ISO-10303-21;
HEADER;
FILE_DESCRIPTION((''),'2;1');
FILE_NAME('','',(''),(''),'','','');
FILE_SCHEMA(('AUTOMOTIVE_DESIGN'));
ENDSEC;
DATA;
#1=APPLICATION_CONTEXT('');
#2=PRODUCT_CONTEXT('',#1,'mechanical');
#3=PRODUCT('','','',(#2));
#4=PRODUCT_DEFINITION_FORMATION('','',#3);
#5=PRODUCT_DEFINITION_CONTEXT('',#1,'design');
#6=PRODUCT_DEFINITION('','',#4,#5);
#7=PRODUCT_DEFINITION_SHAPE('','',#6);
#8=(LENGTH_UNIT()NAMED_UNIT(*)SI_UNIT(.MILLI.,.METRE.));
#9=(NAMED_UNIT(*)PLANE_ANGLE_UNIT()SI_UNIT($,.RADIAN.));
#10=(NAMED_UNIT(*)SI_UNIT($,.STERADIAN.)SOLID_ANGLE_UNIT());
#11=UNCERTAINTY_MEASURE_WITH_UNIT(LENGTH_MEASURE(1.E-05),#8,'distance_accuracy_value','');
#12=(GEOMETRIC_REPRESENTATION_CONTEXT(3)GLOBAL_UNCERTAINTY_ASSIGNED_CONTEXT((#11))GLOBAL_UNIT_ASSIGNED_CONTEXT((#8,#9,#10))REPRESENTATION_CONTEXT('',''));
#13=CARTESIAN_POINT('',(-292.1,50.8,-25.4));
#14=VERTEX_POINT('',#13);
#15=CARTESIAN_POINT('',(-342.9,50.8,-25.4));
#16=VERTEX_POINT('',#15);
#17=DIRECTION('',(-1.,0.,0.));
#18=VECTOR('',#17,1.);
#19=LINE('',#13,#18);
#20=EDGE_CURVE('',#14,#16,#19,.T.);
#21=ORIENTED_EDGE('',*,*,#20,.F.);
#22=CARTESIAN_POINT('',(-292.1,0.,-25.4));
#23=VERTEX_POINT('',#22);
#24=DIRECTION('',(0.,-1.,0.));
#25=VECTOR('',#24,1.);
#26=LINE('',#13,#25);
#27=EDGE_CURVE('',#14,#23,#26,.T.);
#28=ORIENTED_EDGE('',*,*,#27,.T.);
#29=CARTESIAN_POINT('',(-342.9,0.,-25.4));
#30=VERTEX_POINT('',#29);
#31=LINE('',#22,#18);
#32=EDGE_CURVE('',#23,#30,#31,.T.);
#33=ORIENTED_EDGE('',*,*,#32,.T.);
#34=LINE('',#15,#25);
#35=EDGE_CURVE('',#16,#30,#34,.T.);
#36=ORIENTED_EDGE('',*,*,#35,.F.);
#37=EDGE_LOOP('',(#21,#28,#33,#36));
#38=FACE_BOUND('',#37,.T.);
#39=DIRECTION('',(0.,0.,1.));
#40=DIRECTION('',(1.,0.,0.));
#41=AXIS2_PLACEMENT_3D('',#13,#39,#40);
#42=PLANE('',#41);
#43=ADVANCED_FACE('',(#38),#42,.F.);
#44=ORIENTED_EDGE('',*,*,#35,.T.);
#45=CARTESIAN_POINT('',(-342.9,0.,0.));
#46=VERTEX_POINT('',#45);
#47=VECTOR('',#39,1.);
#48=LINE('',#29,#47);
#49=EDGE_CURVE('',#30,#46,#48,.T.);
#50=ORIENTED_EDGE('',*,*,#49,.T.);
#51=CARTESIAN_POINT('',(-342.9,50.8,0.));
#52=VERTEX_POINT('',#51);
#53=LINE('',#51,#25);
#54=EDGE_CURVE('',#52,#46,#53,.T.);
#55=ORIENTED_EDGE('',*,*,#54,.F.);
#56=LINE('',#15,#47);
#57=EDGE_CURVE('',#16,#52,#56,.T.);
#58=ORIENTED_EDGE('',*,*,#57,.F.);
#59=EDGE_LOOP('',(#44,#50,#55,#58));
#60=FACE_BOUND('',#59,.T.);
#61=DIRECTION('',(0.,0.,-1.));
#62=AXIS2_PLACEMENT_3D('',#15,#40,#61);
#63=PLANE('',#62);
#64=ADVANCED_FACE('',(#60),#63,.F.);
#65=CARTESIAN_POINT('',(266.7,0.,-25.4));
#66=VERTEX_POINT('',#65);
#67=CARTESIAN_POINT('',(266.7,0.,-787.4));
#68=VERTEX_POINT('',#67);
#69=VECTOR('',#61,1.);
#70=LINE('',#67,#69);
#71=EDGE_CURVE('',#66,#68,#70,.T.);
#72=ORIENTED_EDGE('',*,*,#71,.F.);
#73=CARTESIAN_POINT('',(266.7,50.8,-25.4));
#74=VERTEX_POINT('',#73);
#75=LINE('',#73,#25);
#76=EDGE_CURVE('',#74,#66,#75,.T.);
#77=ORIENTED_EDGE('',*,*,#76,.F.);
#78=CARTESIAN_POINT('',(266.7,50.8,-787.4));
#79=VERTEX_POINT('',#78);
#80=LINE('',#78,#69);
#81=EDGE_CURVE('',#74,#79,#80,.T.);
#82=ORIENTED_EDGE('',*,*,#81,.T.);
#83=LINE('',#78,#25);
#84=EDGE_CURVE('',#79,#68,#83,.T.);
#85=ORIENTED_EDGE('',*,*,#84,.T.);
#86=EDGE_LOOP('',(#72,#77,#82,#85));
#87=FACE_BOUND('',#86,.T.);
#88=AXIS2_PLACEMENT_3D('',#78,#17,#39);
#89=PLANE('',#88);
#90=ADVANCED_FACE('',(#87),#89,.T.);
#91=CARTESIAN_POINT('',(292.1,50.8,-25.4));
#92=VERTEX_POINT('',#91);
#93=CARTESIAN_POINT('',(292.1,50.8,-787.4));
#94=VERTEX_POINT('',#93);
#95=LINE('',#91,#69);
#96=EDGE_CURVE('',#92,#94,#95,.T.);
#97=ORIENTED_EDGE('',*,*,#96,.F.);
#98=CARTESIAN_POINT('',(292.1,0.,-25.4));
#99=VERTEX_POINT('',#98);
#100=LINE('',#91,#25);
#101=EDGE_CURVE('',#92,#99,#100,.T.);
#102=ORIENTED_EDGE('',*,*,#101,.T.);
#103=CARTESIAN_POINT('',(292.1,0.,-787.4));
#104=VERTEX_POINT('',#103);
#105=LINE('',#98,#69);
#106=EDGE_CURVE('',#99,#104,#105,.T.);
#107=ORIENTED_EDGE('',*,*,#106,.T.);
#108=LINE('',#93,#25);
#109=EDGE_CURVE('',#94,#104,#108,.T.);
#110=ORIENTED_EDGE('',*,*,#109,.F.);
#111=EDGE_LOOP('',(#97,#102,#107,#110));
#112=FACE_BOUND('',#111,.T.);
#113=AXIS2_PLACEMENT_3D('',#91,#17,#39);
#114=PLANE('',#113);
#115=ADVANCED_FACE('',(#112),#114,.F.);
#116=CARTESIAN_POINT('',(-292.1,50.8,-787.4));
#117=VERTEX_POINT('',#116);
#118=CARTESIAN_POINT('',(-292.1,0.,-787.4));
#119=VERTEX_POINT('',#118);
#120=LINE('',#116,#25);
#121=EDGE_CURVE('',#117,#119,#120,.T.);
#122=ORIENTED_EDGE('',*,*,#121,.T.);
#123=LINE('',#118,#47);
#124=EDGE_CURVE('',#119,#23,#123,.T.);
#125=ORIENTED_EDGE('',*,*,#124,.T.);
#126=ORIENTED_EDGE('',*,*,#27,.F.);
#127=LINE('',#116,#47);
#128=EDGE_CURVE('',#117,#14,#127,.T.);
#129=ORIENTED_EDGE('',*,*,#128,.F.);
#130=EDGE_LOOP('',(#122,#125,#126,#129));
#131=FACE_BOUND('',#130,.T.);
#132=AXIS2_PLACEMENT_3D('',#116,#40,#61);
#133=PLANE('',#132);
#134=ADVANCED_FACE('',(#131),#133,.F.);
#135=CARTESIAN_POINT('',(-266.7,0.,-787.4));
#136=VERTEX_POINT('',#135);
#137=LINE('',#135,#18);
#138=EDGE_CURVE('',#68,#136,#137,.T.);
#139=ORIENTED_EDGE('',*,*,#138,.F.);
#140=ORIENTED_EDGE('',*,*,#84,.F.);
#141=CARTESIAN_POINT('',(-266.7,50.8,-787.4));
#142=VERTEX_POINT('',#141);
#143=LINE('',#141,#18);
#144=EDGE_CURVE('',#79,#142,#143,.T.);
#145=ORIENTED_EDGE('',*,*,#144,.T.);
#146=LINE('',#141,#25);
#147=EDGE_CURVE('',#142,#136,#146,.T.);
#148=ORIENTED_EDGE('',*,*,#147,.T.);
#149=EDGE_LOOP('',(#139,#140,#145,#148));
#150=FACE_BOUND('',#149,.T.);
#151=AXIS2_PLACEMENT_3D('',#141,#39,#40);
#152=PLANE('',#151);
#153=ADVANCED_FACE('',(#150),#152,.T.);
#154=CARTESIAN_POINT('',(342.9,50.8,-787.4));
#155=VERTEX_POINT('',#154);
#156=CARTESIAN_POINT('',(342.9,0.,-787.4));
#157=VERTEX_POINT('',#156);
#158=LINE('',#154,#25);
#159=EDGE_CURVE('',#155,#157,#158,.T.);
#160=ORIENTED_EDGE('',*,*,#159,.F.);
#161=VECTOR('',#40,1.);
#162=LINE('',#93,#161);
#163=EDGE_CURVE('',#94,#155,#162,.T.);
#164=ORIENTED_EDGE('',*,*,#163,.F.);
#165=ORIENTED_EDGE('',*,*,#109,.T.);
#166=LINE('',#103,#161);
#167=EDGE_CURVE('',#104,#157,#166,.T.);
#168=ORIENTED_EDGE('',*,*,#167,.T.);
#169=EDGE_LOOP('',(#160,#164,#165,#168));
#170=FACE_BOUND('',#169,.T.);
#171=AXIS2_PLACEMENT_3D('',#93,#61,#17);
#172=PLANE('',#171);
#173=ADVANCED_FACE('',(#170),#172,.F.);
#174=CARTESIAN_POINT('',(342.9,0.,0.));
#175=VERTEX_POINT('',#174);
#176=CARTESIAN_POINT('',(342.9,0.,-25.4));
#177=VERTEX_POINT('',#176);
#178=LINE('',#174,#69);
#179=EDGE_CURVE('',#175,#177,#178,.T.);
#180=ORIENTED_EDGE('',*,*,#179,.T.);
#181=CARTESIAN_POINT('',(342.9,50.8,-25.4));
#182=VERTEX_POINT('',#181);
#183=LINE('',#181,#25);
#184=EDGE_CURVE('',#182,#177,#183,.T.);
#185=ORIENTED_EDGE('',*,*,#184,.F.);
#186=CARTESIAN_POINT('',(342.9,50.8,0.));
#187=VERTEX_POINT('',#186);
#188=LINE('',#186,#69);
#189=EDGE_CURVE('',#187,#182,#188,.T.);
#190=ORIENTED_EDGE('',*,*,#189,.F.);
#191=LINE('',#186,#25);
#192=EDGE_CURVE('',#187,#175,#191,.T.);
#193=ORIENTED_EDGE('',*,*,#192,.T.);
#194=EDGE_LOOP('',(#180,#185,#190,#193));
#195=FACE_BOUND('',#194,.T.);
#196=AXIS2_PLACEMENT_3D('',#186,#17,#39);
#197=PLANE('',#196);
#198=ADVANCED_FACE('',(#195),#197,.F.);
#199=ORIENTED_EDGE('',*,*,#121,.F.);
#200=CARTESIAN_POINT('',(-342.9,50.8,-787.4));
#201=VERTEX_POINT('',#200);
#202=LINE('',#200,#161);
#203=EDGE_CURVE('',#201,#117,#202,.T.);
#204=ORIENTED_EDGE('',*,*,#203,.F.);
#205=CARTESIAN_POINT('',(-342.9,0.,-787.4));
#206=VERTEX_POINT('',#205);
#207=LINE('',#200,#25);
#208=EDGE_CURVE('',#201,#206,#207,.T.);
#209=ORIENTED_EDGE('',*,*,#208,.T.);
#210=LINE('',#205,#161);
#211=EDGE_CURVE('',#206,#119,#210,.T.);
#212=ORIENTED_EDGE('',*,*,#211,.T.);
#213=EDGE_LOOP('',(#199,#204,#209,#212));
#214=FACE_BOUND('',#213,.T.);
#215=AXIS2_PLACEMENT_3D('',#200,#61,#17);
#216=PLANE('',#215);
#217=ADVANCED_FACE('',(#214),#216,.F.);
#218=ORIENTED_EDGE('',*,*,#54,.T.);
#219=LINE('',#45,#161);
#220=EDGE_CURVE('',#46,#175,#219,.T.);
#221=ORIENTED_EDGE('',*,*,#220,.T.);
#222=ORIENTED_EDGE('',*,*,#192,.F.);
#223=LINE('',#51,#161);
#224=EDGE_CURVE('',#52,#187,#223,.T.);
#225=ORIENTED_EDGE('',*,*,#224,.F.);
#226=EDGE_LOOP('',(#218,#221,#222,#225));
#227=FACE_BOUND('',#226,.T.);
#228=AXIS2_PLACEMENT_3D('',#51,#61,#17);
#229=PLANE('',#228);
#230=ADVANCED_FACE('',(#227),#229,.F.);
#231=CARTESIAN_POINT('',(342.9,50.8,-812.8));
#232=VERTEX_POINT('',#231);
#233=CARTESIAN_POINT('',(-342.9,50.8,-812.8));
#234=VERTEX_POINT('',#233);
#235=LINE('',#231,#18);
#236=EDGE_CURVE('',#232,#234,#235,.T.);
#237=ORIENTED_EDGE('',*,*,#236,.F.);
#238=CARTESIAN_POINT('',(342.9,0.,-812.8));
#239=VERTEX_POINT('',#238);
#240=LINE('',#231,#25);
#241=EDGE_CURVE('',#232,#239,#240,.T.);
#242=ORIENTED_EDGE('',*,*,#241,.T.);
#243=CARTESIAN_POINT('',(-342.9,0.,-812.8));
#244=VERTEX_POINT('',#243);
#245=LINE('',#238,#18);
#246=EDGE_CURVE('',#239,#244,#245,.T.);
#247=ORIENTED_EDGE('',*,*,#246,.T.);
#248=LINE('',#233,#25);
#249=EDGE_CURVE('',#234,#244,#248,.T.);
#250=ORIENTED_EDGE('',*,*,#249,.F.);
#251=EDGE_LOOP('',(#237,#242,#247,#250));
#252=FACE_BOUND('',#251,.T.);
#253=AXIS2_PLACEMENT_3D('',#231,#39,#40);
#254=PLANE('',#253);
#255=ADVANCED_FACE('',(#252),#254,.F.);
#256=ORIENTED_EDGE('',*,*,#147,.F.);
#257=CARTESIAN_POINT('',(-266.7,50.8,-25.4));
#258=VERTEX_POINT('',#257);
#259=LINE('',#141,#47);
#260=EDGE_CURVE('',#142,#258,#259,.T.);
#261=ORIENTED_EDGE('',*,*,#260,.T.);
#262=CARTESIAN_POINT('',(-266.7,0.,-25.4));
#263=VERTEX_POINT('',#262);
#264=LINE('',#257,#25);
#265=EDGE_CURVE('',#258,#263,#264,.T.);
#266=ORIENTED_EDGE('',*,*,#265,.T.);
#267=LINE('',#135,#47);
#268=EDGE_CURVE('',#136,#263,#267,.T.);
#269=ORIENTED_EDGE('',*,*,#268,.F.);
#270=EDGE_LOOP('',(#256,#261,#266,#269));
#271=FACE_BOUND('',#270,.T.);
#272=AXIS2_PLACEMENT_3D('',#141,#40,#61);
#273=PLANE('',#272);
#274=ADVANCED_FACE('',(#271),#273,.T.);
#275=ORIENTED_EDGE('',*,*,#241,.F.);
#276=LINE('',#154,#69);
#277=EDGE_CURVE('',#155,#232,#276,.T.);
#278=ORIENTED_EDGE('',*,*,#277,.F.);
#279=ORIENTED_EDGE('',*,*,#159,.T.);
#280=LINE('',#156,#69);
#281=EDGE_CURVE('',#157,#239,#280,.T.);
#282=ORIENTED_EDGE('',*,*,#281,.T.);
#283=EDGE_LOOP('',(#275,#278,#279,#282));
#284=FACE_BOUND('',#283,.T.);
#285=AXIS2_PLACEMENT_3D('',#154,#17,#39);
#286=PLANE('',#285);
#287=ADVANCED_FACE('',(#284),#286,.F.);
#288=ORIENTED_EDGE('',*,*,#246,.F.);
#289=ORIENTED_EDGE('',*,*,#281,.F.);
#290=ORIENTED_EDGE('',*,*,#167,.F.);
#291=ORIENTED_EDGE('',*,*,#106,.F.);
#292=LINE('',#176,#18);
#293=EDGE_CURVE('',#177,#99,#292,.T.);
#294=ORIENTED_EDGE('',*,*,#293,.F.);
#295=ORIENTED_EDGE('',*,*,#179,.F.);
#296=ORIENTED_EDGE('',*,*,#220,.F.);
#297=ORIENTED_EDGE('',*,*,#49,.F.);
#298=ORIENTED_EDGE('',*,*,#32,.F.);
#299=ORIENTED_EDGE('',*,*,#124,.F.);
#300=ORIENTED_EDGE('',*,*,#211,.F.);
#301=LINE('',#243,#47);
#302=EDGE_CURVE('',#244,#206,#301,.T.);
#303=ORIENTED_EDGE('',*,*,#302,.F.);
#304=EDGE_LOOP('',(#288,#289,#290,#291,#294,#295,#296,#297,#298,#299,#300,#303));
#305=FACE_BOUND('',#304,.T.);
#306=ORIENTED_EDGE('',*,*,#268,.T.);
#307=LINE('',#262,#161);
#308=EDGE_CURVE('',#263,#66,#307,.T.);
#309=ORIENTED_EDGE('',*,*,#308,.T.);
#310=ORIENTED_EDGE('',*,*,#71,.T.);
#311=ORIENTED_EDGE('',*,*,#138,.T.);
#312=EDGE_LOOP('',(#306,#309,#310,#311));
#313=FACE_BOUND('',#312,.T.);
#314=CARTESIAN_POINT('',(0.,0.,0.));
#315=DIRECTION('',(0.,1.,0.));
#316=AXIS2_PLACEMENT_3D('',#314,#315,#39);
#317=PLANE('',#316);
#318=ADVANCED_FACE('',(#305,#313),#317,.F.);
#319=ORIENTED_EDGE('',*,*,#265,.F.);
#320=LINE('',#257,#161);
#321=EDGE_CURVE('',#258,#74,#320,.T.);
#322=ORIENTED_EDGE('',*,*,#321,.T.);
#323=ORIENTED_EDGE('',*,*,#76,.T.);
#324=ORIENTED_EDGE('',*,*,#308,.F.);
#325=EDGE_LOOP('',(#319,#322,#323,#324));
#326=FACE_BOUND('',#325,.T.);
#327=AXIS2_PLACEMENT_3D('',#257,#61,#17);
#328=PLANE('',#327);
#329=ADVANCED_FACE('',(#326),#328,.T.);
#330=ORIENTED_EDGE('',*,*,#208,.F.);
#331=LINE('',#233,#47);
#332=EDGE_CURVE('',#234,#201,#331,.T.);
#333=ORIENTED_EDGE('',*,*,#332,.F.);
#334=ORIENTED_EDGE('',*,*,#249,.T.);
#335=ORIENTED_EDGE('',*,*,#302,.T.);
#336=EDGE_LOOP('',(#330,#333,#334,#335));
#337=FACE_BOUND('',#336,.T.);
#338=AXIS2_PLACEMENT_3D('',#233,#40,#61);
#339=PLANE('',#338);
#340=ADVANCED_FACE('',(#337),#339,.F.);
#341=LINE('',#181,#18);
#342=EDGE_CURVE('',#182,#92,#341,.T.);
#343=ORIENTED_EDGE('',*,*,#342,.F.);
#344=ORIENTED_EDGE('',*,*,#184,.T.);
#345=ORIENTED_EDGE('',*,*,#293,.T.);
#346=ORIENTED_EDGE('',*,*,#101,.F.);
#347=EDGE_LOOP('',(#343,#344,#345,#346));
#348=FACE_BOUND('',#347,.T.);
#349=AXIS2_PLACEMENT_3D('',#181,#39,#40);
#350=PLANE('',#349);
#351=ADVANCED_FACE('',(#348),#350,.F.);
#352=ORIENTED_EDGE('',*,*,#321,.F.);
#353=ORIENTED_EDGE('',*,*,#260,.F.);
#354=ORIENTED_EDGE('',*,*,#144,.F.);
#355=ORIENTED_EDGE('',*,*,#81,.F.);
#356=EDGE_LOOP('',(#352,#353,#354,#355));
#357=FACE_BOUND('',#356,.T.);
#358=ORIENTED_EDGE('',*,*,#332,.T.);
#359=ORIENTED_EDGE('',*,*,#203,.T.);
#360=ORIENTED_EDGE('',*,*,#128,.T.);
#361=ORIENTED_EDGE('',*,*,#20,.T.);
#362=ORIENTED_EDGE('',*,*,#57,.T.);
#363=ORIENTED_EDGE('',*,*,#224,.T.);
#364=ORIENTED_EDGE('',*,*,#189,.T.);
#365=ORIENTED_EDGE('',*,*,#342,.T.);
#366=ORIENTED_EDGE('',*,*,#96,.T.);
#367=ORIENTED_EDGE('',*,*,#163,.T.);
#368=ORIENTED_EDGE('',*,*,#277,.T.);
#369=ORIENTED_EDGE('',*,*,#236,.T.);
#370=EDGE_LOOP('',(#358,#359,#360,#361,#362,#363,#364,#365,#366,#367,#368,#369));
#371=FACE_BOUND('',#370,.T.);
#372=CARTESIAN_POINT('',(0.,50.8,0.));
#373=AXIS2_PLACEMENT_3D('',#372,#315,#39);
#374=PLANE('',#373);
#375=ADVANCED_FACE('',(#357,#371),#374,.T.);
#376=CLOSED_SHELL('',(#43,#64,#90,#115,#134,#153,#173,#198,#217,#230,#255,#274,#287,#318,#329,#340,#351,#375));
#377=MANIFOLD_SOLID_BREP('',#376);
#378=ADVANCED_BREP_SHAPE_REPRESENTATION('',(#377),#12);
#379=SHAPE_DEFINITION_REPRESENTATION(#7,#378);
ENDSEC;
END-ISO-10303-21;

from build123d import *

# Parameters (mm, degrees)
SKETCH1_W           = 533.4
SKETCH1_H           = 762
BOSS_EXTRUDE1_DEPTH = 50.8


with BuildPart() as part:
    # Sketch1 → Boss-Extrude1 (new body)
    with BuildSketch(Plane(origin=(0, 0, 0), x_dir=(1, 0, 0), z_dir=(0, 1, 0))):
        Polygon((-342.9, 0), (342.9, 0), (342.9, 25.4), (292.1, 25.4), (292.1, 787.4), (342.9, 787.4), (342.9, 812.8), (-342.9, 812.8), (-342.9, 787.4), (-292.1, 787.4), (-292.1, 25.4), (-342.9, 25.4), align=None)
        with Locations((0, 406.4)):
            Rectangle(SKETCH1_W, SKETCH1_H, mode=Mode.SUBTRACT)
    extrude(amount=BOSS_EXTRUDE1_DEPTH)


solid = part.part
